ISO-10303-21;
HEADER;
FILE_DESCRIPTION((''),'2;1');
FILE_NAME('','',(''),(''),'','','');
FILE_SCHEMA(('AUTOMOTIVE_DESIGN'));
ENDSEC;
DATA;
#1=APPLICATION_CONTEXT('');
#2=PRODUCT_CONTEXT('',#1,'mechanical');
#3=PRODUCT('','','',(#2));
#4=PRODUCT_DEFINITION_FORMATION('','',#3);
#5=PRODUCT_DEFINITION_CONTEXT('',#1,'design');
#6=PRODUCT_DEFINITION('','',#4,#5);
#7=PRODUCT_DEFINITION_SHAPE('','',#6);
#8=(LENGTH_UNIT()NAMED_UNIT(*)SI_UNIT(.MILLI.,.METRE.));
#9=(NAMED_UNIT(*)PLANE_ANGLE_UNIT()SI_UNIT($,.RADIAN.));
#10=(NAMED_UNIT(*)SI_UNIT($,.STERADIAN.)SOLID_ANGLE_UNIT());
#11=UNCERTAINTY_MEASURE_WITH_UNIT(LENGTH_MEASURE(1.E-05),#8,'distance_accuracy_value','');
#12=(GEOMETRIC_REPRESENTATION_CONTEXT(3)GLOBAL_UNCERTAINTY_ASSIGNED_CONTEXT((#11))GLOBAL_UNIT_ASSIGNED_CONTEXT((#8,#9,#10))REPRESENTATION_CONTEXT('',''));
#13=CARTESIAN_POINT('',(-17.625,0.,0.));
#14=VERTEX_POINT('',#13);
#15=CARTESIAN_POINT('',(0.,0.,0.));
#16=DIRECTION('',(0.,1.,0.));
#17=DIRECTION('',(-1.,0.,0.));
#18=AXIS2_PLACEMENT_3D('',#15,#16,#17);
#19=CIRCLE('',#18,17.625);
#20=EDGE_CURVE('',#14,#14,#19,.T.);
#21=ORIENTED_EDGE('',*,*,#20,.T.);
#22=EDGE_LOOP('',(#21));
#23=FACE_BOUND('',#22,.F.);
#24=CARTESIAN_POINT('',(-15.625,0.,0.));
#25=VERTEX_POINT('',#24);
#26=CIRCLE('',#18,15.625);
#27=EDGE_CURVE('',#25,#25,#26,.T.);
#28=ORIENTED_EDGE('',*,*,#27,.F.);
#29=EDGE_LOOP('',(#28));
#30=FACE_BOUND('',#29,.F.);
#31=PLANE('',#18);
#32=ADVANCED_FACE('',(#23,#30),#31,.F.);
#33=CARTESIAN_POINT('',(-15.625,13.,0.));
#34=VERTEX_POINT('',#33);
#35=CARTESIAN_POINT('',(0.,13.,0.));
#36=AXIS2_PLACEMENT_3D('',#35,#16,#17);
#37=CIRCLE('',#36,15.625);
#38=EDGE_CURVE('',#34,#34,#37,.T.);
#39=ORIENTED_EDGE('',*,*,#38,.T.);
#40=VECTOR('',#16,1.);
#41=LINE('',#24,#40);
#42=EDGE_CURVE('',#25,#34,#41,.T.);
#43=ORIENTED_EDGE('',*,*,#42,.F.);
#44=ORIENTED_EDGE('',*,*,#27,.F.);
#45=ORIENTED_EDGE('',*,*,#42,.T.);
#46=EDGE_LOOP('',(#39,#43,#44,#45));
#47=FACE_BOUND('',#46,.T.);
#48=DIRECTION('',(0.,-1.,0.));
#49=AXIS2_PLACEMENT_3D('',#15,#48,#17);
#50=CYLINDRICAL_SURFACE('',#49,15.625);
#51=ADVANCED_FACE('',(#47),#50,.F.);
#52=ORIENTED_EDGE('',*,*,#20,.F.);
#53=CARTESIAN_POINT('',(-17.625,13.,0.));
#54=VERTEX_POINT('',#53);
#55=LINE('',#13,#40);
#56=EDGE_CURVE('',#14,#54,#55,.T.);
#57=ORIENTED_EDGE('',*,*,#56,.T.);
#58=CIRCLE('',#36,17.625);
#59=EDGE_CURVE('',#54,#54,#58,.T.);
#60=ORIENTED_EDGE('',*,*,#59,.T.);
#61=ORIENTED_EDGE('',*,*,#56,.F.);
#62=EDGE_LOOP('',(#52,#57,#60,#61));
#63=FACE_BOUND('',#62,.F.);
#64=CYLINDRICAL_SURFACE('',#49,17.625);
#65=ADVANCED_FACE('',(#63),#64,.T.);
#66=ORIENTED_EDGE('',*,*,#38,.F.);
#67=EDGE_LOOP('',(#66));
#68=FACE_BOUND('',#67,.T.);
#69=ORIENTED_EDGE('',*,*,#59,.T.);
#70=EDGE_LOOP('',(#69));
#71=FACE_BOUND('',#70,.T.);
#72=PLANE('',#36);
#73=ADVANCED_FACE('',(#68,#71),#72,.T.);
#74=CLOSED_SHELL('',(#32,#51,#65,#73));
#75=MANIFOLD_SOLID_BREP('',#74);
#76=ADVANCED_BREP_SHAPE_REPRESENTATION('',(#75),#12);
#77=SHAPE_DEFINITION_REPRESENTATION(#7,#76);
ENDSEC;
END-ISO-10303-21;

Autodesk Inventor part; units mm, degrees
ref_plane "YZ Plane" through (0, 0, 0) normal (1, 0, 0) x (0, 1, 0)
ref_plane "XZ Plane" through (0, 0, 0) normal (0, 1, 0) x (-1, 0, 0)
ref_plane "XY Plane" through (0, 0, 0) normal (0, 0, 1) x (1, 0, 0)
sketch "Sketch1" plane through (0, 0, 0) normal (0, 1, 0) x (-1, 0, 0)
  circle A0 centre (0, 0) radius 17.625
  circle A1 centre (0, 0) radius 15.625
  dimension "d0" = 35.25
  dimension "d1" = 2
extrude "Extrusion1" add sketch "Sketch1" along normal blind 13
properties part number "CAN" material "Stainless Steel"
